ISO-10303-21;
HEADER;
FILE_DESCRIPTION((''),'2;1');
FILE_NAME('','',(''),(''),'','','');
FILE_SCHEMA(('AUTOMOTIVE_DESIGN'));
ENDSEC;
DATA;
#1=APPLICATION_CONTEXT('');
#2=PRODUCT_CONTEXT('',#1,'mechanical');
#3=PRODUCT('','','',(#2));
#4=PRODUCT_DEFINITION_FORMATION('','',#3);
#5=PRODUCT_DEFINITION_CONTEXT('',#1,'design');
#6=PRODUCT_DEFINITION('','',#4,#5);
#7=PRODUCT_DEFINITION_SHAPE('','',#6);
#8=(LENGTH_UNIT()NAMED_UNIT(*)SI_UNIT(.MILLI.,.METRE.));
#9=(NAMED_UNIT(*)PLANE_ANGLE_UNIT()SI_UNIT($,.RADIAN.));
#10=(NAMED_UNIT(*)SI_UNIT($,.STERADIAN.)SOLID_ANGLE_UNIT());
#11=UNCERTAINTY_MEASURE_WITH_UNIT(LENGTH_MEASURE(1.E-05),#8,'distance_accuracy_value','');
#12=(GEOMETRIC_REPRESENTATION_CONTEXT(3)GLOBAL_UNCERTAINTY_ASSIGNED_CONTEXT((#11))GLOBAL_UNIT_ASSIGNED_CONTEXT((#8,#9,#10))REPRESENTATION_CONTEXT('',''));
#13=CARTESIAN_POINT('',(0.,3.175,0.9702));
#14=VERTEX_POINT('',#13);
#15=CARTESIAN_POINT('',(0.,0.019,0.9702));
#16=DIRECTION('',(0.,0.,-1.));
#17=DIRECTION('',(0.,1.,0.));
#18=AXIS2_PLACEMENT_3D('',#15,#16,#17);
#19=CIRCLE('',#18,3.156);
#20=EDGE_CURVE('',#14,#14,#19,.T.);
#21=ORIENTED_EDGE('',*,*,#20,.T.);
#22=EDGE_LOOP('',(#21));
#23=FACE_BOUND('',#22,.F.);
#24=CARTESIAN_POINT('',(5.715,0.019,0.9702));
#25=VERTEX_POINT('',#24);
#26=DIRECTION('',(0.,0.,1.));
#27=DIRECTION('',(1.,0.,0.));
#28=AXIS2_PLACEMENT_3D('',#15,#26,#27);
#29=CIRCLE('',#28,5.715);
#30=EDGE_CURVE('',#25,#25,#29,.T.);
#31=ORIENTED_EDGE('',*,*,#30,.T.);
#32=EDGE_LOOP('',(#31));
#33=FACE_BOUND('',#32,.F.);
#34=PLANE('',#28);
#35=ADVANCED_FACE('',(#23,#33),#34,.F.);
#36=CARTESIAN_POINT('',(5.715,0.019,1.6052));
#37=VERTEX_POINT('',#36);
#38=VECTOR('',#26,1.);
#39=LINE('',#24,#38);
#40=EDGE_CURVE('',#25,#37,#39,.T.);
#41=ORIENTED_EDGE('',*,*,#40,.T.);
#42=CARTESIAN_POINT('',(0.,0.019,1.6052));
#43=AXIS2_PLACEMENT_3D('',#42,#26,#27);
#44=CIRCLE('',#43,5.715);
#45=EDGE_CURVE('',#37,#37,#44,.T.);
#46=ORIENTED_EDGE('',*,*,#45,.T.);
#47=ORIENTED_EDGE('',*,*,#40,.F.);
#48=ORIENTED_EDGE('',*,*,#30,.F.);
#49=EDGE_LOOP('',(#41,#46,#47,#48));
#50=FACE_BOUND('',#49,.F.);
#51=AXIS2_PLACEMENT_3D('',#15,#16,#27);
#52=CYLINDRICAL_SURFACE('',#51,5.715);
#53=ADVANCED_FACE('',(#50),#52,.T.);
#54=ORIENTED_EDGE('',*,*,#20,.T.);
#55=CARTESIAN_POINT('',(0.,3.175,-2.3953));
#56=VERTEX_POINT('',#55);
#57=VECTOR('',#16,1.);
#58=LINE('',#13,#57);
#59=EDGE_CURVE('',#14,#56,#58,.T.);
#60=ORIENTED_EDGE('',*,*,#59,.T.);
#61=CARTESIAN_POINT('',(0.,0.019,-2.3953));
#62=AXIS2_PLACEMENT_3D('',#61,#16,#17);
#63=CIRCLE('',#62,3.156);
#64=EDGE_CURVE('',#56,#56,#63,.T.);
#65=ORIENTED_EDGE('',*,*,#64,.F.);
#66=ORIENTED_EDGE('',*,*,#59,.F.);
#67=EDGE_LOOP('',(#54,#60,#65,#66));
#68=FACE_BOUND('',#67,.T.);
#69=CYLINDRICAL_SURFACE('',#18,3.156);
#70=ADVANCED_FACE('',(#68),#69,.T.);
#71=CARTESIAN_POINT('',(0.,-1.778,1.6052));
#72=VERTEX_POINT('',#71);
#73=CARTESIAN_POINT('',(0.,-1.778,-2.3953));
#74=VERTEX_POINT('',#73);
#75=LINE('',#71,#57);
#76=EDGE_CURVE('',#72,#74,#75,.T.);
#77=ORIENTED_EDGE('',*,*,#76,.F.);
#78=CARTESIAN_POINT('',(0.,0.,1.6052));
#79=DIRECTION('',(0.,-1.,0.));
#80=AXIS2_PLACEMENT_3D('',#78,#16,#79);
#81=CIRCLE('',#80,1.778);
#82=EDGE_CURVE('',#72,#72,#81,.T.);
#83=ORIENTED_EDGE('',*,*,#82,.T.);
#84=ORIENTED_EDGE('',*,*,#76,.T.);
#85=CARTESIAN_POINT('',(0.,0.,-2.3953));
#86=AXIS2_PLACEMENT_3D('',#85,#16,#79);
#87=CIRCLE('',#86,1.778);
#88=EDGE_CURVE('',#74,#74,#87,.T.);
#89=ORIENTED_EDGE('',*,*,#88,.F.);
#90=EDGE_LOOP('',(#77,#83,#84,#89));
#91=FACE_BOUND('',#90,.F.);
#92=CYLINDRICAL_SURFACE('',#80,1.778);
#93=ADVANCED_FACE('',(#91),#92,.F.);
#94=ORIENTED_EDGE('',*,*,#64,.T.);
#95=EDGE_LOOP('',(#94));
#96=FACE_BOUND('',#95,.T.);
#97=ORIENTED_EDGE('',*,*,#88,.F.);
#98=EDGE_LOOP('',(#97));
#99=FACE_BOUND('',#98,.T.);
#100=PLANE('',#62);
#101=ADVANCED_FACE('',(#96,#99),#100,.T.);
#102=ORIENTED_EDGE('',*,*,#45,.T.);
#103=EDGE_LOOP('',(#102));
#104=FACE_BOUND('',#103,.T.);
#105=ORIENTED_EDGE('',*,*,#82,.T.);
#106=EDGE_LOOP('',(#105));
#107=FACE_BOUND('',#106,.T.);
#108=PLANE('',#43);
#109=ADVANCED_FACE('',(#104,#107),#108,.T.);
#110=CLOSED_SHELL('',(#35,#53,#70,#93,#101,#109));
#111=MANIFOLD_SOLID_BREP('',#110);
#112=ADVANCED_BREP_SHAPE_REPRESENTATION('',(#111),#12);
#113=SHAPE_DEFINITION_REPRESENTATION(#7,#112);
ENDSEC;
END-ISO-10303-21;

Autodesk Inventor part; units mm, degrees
ref_plane "YZ Plane" through (0, 0, 0) normal (1, 0, 0) x (0, 1, 0)
ref_plane "XZ Plane" through (0, 0, 0) normal (0, 1, 0) x (-1, 0, 0)
ref_plane "XY Plane" through (0, 0, 0) normal (0, 0, 1) x (1, 0, 0)
sketch "Sketch1" plane through (0, 0, 0) normal (1, 0, 0) x (0, 1, 0)
  line L0 (0.019, 0.9702) -> (3.175, 0.9702)
  line L1 (3.175, 0.9702) -> (3.175, -2.3953)
  line L2 (0.019, 9.2838) -> (0.019, -29.9451)
  line L3 (3.175, -2.3953) -> (0.019, -2.3953)
  point P0 (0, 0)
  dimension "d3" = 3.1559
  dimension "d4" = 3.3655
revolve "Revolution1" add sketch "Sketch1" angle 360 about axis through (0, 0.019, 9.2838) along (0, 0, -1)
sketch "Sketch3" plane through (0, 0.019, 0.9702) normal (0, 0, 1) x (1, 0, 0)
  circle A0 centre (0, 0) radius 5.715
  point P0 (0, -0.019)
extrude "Extrusion2" add sketch "Sketch3" along normal blind 0.635
sketch "Sketch4" plane through (0, 0.019, 1.6052) normal (0, 0, 1) x (1, 0, 0)
  point P0 (0, -0.019)
  point P1 (0, -0.019)
hole "Hole2" at (0, 0, 1.6052) direction (0, 0, -1) diameter 3.556 end through all
properties part number "bearing"
